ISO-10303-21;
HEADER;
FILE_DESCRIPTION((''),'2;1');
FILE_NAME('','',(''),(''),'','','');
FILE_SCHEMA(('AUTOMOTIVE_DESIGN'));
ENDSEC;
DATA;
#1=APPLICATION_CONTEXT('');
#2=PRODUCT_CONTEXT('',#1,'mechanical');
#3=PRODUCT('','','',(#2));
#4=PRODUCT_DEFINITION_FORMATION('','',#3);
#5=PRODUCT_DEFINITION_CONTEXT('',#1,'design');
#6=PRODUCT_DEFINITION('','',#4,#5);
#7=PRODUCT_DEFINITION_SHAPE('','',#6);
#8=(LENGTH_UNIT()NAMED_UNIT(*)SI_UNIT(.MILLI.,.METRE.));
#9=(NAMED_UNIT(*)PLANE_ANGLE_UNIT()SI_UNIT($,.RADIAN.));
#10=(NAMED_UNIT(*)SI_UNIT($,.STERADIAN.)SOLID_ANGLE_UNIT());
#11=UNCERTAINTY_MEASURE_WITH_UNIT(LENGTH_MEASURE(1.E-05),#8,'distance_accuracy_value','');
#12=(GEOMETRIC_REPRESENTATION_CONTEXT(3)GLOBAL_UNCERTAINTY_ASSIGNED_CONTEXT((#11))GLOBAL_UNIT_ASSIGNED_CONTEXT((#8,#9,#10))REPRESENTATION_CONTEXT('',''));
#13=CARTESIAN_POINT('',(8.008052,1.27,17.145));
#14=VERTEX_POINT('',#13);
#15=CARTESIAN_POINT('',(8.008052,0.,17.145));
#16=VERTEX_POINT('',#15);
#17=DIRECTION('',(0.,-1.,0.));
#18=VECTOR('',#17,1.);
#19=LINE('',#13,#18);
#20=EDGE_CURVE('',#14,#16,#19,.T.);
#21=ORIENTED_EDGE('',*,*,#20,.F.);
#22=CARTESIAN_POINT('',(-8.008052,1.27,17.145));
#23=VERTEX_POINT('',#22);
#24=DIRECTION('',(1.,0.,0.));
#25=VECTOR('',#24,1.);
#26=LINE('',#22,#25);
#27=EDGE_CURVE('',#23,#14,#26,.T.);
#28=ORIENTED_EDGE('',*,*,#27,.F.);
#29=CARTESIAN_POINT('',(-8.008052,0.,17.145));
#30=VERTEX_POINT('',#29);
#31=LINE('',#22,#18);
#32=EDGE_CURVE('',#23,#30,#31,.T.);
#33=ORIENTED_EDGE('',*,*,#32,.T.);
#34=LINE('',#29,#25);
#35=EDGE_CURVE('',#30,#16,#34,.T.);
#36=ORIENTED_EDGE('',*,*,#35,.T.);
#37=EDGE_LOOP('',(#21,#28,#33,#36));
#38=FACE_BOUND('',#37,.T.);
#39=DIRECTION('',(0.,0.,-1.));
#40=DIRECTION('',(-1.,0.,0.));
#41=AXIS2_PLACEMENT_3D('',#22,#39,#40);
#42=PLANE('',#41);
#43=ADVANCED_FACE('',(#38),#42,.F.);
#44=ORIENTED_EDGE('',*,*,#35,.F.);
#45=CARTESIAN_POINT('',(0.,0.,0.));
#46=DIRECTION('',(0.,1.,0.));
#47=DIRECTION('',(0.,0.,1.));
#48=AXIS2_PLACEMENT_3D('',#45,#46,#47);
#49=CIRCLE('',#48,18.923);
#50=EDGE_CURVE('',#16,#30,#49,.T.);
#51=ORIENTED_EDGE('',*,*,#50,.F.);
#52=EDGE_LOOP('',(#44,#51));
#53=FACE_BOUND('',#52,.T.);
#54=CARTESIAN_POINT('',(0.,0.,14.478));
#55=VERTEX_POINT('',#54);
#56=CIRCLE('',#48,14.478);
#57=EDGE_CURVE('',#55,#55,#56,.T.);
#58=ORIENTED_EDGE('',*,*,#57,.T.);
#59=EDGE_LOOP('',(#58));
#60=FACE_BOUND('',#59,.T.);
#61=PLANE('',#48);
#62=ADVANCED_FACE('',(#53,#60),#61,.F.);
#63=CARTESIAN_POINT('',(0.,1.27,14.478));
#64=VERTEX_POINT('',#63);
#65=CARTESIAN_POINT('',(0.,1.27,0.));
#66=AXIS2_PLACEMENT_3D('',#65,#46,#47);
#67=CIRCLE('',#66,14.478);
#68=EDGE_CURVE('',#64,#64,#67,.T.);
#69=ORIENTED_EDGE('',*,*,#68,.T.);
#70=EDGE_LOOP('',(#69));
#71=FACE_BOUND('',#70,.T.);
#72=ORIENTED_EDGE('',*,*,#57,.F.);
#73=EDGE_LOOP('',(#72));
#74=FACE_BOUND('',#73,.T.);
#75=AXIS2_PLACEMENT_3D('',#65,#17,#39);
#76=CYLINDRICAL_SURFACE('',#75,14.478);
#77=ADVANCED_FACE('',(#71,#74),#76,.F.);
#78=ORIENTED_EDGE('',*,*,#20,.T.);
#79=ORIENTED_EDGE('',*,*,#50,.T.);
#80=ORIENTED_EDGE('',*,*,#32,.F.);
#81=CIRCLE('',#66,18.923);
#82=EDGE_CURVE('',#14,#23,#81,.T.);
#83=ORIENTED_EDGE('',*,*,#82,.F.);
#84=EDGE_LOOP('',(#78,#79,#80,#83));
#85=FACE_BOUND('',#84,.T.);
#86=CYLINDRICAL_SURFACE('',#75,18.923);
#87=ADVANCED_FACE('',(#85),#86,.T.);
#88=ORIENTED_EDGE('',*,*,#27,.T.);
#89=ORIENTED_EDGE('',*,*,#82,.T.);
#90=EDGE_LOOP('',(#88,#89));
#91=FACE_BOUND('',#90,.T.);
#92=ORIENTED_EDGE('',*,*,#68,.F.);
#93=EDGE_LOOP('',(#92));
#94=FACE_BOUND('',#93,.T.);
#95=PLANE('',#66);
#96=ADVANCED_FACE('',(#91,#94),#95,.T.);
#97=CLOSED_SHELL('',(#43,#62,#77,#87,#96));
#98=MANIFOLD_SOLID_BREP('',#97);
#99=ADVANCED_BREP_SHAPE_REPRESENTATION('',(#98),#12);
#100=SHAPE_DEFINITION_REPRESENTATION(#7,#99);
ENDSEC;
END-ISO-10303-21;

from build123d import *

# Parameters (mm, degrees)
SKETCH1_R          = 14.478
BASE_EXTRUDE_DEPTH = 1.27


with BuildPart() as part:
    # Sketch1 → Base-Extrude (new body)
    with BuildSketch(Plane(origin=(0, 0, 0), x_dir=(1, 0, 0), z_dir=(0, 1, 0))):
        with BuildLine():
            Line((-8.008052447, -17.145), (8.008052447, -17.145))
            ThreePointArc((8.008052447, -17.145), (0, 18.923), (-8.008052447, -17.145))
        make_face()
        Circle(SKETCH1_R, mode=Mode.SUBTRACT)
    extrude(amount=BASE_EXTRUDE_DEPTH)


solid = part.part
